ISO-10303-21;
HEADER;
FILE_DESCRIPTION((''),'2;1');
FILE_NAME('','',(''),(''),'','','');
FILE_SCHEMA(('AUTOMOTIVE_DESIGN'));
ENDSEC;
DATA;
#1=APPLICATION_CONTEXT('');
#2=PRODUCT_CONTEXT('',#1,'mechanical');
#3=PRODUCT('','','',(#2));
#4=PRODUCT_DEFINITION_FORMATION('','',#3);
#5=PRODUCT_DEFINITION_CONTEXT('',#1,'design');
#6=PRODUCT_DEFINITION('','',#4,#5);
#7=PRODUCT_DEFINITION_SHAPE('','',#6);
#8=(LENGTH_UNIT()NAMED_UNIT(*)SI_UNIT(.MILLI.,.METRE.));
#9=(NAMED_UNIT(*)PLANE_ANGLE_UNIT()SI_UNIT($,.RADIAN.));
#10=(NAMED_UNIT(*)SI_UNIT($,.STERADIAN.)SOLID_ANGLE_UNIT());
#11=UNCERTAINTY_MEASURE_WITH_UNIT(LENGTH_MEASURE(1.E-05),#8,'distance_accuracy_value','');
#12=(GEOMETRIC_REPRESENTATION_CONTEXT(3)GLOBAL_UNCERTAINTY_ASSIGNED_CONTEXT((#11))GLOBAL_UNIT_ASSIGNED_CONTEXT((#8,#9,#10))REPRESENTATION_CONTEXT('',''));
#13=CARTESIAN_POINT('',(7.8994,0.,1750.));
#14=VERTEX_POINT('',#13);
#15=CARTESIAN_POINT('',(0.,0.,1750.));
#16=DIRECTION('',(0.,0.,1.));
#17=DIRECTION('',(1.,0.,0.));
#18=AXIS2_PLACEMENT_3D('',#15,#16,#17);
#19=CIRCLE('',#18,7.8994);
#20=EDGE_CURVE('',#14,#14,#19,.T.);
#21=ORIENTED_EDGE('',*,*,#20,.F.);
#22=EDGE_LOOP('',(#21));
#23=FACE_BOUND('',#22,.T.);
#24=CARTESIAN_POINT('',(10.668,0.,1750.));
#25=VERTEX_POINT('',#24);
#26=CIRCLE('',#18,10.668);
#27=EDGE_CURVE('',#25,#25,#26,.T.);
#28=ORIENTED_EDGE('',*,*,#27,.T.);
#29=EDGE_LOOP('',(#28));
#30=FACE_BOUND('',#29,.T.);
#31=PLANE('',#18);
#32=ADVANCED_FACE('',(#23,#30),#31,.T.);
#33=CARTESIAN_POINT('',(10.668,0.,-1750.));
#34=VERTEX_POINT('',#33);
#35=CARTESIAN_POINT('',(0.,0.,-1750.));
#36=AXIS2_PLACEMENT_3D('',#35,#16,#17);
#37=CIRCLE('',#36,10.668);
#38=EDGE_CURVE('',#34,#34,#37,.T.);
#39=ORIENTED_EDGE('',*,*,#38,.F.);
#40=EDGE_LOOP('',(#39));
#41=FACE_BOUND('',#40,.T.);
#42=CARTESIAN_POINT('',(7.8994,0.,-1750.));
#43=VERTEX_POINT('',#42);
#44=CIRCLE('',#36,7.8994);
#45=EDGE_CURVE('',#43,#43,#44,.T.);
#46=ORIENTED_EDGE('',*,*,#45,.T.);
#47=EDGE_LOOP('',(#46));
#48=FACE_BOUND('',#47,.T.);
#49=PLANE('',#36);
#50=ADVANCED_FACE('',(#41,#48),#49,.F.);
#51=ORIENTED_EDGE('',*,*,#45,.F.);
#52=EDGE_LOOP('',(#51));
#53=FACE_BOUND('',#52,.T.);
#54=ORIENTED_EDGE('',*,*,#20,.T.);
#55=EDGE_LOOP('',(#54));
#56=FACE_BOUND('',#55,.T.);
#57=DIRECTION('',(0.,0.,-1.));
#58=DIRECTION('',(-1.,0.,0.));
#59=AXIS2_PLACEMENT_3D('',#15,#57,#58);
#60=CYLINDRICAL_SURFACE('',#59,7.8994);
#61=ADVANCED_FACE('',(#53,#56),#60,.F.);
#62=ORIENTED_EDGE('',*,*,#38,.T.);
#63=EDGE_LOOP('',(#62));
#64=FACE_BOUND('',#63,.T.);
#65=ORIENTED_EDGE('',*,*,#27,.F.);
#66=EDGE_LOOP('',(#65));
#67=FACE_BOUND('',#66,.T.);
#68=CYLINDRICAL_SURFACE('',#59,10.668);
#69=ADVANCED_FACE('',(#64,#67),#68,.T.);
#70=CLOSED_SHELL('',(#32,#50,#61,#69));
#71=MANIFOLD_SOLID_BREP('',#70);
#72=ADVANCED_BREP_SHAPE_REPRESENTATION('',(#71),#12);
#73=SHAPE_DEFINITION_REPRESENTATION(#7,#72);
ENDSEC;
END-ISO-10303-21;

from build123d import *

# Parameters (mm, degrees)
SKETCH1_R           = 10.668
SKETCH1_R_2         = 7.8994
EXTRUDE_THIN1_DEPTH = 1750


with BuildPart() as part:
    # Sketch1 → Extrude-Thin1 (new body, symmetric)
    with BuildSketch(Plane.XY):
        Circle(SKETCH1_R)
        Circle(SKETCH1_R_2, mode=Mode.SUBTRACT)
    extrude(amount=EXTRUDE_THIN1_DEPTH, both=True)


solid = part.part
